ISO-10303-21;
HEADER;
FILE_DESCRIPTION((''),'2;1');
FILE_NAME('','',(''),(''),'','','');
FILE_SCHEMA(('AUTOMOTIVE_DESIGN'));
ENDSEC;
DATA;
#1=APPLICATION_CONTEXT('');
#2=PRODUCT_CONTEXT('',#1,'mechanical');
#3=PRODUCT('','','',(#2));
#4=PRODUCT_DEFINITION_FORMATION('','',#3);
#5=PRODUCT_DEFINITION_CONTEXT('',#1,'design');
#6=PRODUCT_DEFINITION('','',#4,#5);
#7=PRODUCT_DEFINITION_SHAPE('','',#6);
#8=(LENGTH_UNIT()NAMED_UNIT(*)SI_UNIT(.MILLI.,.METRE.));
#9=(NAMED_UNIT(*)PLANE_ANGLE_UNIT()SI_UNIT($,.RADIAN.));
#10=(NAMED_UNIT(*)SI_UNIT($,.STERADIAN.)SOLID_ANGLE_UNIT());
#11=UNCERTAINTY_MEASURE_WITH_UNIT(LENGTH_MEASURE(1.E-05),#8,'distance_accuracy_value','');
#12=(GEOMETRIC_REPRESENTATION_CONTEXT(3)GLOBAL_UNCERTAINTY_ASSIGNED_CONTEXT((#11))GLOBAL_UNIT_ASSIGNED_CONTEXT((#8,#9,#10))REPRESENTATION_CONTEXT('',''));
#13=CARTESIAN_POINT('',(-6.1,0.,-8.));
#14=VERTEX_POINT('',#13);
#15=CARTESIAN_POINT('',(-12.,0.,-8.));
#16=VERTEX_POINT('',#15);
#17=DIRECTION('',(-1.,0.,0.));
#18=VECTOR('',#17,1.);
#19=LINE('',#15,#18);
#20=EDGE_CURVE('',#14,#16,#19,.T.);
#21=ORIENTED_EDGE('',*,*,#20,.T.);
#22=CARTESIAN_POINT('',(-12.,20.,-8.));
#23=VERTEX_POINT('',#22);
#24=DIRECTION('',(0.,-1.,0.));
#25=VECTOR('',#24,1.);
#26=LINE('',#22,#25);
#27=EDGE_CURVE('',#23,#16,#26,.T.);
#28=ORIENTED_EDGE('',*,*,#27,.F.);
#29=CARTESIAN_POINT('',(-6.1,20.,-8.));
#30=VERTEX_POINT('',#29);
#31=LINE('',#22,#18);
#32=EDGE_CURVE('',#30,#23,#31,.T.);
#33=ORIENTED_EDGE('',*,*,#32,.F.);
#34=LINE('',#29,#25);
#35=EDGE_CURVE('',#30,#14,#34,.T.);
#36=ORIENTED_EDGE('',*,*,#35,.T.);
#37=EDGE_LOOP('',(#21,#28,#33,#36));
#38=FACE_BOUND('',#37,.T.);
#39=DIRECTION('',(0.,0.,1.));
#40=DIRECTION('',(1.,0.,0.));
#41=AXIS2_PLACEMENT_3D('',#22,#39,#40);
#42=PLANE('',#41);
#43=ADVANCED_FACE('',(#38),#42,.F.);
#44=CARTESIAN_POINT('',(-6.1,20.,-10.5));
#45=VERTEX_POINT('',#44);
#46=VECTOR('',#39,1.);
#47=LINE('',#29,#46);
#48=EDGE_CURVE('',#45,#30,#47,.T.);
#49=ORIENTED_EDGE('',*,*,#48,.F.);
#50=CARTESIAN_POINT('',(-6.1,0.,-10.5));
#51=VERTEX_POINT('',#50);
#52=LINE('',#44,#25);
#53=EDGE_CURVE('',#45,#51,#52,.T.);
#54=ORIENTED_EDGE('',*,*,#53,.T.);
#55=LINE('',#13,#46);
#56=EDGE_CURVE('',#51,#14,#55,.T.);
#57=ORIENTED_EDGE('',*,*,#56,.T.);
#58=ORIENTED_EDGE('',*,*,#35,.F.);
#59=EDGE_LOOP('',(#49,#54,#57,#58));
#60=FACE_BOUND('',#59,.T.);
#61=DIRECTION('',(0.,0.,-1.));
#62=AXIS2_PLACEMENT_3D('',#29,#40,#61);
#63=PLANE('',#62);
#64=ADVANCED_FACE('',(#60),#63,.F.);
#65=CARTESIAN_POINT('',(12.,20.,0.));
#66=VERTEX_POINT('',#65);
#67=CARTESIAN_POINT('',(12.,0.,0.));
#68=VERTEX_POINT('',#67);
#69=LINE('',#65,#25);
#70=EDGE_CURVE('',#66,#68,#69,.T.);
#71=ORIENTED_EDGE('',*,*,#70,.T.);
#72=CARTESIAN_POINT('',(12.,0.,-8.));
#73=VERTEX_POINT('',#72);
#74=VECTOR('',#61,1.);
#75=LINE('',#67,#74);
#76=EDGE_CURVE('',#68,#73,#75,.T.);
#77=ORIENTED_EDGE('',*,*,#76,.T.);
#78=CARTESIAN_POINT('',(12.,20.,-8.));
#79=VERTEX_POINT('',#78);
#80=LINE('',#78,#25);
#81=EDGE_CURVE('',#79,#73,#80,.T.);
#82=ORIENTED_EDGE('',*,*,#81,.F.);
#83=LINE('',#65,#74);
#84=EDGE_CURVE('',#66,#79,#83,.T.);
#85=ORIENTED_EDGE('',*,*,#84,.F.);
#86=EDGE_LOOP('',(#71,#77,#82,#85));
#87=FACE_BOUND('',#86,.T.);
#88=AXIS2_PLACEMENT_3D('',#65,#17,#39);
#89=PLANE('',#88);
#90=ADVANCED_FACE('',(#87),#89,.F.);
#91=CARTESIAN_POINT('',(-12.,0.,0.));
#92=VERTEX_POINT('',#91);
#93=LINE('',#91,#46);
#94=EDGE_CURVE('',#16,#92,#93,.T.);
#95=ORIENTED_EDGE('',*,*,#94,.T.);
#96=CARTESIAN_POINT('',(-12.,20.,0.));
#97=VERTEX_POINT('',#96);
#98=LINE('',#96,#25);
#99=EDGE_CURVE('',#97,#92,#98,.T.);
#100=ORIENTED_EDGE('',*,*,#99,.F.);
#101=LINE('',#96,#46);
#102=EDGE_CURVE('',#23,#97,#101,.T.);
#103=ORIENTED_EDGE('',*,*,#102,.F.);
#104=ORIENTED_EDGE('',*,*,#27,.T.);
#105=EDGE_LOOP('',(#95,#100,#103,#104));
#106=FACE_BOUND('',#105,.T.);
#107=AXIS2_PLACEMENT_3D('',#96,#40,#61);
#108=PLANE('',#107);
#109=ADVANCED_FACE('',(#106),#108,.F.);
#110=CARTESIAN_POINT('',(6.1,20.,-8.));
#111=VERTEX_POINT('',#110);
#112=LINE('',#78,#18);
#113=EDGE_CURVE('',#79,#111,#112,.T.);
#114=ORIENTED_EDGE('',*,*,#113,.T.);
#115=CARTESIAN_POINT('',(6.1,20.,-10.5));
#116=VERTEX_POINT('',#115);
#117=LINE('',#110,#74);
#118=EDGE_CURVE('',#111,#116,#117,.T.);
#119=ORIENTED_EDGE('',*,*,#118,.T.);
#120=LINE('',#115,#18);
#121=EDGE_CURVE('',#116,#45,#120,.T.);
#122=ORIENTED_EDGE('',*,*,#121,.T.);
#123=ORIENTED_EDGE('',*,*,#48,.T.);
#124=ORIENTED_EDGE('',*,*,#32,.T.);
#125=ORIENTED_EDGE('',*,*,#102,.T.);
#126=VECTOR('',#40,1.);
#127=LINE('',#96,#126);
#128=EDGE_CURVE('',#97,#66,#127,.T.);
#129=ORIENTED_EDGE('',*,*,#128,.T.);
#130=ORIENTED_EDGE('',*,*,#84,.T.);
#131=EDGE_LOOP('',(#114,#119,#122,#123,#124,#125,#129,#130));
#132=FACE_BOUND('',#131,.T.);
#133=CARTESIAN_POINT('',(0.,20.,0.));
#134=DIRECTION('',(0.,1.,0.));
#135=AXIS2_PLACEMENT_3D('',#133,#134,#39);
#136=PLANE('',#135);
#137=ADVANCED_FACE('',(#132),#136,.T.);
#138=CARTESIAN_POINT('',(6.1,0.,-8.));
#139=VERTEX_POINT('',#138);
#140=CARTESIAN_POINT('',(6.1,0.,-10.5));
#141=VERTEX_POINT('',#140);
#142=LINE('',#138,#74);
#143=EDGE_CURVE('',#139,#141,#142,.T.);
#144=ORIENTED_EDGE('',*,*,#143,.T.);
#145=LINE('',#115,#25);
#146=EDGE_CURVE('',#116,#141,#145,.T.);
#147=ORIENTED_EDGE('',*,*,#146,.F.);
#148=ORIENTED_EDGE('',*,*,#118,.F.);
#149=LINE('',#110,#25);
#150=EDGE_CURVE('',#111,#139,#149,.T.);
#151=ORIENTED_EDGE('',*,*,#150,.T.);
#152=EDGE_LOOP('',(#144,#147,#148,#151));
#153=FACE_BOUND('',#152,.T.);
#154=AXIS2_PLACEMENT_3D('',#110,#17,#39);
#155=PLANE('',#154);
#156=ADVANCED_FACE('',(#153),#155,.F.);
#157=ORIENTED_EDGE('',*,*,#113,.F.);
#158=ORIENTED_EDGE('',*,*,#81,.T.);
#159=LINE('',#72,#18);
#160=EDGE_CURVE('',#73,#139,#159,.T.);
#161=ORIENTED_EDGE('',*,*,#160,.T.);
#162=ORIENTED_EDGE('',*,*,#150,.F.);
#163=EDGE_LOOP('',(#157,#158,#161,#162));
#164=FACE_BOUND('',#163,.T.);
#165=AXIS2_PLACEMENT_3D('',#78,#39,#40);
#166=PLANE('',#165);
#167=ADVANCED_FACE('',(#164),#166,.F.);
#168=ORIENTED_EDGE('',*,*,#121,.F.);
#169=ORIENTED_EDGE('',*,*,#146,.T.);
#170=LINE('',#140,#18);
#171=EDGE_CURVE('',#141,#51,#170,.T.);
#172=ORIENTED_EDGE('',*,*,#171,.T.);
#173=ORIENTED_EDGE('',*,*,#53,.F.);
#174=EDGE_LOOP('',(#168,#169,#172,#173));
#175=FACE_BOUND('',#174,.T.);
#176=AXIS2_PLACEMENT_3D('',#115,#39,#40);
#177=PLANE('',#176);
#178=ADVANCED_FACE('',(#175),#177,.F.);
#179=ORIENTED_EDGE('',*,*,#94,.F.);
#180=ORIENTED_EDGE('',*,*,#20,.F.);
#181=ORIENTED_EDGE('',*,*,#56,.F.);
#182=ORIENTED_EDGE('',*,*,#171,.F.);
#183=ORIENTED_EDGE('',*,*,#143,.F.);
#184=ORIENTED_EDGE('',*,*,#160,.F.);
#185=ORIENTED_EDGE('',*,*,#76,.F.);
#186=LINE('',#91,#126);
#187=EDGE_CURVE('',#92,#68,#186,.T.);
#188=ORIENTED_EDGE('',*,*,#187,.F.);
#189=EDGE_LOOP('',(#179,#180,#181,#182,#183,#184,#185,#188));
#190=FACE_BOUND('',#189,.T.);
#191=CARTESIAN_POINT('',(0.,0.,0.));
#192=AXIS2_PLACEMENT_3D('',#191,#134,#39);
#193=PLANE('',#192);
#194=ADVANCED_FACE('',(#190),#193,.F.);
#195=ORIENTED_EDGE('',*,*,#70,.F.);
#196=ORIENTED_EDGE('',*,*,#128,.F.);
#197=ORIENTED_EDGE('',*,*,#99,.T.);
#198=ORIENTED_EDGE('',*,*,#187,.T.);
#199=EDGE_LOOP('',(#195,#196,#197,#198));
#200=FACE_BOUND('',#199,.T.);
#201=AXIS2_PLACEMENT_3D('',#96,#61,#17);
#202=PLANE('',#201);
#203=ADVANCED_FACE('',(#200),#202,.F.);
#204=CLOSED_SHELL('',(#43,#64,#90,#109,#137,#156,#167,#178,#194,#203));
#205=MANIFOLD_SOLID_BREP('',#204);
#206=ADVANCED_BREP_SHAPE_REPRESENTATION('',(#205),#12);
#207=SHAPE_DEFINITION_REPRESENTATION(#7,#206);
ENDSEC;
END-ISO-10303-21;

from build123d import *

# Parameters (mm, degrees)
BOSS_EXTRUDE1_DEPTH = 20


with BuildPart() as part:
    # Sketch1 → Boss-Extrude1 (new body)
    with BuildSketch(Plane(origin=(0, 0, 0), x_dir=(1, 0, 0), z_dir=(0, 1, 0))):
        Polygon((-12, 0), (12, 0), (12, 8), (6.1, 8), (6.1, 10.5), (-6.1, 10.5), (-6.1, 8), (-12, 8), align=None)
    extrude(amount=BOSS_EXTRUDE1_DEPTH)


solid = part.part
